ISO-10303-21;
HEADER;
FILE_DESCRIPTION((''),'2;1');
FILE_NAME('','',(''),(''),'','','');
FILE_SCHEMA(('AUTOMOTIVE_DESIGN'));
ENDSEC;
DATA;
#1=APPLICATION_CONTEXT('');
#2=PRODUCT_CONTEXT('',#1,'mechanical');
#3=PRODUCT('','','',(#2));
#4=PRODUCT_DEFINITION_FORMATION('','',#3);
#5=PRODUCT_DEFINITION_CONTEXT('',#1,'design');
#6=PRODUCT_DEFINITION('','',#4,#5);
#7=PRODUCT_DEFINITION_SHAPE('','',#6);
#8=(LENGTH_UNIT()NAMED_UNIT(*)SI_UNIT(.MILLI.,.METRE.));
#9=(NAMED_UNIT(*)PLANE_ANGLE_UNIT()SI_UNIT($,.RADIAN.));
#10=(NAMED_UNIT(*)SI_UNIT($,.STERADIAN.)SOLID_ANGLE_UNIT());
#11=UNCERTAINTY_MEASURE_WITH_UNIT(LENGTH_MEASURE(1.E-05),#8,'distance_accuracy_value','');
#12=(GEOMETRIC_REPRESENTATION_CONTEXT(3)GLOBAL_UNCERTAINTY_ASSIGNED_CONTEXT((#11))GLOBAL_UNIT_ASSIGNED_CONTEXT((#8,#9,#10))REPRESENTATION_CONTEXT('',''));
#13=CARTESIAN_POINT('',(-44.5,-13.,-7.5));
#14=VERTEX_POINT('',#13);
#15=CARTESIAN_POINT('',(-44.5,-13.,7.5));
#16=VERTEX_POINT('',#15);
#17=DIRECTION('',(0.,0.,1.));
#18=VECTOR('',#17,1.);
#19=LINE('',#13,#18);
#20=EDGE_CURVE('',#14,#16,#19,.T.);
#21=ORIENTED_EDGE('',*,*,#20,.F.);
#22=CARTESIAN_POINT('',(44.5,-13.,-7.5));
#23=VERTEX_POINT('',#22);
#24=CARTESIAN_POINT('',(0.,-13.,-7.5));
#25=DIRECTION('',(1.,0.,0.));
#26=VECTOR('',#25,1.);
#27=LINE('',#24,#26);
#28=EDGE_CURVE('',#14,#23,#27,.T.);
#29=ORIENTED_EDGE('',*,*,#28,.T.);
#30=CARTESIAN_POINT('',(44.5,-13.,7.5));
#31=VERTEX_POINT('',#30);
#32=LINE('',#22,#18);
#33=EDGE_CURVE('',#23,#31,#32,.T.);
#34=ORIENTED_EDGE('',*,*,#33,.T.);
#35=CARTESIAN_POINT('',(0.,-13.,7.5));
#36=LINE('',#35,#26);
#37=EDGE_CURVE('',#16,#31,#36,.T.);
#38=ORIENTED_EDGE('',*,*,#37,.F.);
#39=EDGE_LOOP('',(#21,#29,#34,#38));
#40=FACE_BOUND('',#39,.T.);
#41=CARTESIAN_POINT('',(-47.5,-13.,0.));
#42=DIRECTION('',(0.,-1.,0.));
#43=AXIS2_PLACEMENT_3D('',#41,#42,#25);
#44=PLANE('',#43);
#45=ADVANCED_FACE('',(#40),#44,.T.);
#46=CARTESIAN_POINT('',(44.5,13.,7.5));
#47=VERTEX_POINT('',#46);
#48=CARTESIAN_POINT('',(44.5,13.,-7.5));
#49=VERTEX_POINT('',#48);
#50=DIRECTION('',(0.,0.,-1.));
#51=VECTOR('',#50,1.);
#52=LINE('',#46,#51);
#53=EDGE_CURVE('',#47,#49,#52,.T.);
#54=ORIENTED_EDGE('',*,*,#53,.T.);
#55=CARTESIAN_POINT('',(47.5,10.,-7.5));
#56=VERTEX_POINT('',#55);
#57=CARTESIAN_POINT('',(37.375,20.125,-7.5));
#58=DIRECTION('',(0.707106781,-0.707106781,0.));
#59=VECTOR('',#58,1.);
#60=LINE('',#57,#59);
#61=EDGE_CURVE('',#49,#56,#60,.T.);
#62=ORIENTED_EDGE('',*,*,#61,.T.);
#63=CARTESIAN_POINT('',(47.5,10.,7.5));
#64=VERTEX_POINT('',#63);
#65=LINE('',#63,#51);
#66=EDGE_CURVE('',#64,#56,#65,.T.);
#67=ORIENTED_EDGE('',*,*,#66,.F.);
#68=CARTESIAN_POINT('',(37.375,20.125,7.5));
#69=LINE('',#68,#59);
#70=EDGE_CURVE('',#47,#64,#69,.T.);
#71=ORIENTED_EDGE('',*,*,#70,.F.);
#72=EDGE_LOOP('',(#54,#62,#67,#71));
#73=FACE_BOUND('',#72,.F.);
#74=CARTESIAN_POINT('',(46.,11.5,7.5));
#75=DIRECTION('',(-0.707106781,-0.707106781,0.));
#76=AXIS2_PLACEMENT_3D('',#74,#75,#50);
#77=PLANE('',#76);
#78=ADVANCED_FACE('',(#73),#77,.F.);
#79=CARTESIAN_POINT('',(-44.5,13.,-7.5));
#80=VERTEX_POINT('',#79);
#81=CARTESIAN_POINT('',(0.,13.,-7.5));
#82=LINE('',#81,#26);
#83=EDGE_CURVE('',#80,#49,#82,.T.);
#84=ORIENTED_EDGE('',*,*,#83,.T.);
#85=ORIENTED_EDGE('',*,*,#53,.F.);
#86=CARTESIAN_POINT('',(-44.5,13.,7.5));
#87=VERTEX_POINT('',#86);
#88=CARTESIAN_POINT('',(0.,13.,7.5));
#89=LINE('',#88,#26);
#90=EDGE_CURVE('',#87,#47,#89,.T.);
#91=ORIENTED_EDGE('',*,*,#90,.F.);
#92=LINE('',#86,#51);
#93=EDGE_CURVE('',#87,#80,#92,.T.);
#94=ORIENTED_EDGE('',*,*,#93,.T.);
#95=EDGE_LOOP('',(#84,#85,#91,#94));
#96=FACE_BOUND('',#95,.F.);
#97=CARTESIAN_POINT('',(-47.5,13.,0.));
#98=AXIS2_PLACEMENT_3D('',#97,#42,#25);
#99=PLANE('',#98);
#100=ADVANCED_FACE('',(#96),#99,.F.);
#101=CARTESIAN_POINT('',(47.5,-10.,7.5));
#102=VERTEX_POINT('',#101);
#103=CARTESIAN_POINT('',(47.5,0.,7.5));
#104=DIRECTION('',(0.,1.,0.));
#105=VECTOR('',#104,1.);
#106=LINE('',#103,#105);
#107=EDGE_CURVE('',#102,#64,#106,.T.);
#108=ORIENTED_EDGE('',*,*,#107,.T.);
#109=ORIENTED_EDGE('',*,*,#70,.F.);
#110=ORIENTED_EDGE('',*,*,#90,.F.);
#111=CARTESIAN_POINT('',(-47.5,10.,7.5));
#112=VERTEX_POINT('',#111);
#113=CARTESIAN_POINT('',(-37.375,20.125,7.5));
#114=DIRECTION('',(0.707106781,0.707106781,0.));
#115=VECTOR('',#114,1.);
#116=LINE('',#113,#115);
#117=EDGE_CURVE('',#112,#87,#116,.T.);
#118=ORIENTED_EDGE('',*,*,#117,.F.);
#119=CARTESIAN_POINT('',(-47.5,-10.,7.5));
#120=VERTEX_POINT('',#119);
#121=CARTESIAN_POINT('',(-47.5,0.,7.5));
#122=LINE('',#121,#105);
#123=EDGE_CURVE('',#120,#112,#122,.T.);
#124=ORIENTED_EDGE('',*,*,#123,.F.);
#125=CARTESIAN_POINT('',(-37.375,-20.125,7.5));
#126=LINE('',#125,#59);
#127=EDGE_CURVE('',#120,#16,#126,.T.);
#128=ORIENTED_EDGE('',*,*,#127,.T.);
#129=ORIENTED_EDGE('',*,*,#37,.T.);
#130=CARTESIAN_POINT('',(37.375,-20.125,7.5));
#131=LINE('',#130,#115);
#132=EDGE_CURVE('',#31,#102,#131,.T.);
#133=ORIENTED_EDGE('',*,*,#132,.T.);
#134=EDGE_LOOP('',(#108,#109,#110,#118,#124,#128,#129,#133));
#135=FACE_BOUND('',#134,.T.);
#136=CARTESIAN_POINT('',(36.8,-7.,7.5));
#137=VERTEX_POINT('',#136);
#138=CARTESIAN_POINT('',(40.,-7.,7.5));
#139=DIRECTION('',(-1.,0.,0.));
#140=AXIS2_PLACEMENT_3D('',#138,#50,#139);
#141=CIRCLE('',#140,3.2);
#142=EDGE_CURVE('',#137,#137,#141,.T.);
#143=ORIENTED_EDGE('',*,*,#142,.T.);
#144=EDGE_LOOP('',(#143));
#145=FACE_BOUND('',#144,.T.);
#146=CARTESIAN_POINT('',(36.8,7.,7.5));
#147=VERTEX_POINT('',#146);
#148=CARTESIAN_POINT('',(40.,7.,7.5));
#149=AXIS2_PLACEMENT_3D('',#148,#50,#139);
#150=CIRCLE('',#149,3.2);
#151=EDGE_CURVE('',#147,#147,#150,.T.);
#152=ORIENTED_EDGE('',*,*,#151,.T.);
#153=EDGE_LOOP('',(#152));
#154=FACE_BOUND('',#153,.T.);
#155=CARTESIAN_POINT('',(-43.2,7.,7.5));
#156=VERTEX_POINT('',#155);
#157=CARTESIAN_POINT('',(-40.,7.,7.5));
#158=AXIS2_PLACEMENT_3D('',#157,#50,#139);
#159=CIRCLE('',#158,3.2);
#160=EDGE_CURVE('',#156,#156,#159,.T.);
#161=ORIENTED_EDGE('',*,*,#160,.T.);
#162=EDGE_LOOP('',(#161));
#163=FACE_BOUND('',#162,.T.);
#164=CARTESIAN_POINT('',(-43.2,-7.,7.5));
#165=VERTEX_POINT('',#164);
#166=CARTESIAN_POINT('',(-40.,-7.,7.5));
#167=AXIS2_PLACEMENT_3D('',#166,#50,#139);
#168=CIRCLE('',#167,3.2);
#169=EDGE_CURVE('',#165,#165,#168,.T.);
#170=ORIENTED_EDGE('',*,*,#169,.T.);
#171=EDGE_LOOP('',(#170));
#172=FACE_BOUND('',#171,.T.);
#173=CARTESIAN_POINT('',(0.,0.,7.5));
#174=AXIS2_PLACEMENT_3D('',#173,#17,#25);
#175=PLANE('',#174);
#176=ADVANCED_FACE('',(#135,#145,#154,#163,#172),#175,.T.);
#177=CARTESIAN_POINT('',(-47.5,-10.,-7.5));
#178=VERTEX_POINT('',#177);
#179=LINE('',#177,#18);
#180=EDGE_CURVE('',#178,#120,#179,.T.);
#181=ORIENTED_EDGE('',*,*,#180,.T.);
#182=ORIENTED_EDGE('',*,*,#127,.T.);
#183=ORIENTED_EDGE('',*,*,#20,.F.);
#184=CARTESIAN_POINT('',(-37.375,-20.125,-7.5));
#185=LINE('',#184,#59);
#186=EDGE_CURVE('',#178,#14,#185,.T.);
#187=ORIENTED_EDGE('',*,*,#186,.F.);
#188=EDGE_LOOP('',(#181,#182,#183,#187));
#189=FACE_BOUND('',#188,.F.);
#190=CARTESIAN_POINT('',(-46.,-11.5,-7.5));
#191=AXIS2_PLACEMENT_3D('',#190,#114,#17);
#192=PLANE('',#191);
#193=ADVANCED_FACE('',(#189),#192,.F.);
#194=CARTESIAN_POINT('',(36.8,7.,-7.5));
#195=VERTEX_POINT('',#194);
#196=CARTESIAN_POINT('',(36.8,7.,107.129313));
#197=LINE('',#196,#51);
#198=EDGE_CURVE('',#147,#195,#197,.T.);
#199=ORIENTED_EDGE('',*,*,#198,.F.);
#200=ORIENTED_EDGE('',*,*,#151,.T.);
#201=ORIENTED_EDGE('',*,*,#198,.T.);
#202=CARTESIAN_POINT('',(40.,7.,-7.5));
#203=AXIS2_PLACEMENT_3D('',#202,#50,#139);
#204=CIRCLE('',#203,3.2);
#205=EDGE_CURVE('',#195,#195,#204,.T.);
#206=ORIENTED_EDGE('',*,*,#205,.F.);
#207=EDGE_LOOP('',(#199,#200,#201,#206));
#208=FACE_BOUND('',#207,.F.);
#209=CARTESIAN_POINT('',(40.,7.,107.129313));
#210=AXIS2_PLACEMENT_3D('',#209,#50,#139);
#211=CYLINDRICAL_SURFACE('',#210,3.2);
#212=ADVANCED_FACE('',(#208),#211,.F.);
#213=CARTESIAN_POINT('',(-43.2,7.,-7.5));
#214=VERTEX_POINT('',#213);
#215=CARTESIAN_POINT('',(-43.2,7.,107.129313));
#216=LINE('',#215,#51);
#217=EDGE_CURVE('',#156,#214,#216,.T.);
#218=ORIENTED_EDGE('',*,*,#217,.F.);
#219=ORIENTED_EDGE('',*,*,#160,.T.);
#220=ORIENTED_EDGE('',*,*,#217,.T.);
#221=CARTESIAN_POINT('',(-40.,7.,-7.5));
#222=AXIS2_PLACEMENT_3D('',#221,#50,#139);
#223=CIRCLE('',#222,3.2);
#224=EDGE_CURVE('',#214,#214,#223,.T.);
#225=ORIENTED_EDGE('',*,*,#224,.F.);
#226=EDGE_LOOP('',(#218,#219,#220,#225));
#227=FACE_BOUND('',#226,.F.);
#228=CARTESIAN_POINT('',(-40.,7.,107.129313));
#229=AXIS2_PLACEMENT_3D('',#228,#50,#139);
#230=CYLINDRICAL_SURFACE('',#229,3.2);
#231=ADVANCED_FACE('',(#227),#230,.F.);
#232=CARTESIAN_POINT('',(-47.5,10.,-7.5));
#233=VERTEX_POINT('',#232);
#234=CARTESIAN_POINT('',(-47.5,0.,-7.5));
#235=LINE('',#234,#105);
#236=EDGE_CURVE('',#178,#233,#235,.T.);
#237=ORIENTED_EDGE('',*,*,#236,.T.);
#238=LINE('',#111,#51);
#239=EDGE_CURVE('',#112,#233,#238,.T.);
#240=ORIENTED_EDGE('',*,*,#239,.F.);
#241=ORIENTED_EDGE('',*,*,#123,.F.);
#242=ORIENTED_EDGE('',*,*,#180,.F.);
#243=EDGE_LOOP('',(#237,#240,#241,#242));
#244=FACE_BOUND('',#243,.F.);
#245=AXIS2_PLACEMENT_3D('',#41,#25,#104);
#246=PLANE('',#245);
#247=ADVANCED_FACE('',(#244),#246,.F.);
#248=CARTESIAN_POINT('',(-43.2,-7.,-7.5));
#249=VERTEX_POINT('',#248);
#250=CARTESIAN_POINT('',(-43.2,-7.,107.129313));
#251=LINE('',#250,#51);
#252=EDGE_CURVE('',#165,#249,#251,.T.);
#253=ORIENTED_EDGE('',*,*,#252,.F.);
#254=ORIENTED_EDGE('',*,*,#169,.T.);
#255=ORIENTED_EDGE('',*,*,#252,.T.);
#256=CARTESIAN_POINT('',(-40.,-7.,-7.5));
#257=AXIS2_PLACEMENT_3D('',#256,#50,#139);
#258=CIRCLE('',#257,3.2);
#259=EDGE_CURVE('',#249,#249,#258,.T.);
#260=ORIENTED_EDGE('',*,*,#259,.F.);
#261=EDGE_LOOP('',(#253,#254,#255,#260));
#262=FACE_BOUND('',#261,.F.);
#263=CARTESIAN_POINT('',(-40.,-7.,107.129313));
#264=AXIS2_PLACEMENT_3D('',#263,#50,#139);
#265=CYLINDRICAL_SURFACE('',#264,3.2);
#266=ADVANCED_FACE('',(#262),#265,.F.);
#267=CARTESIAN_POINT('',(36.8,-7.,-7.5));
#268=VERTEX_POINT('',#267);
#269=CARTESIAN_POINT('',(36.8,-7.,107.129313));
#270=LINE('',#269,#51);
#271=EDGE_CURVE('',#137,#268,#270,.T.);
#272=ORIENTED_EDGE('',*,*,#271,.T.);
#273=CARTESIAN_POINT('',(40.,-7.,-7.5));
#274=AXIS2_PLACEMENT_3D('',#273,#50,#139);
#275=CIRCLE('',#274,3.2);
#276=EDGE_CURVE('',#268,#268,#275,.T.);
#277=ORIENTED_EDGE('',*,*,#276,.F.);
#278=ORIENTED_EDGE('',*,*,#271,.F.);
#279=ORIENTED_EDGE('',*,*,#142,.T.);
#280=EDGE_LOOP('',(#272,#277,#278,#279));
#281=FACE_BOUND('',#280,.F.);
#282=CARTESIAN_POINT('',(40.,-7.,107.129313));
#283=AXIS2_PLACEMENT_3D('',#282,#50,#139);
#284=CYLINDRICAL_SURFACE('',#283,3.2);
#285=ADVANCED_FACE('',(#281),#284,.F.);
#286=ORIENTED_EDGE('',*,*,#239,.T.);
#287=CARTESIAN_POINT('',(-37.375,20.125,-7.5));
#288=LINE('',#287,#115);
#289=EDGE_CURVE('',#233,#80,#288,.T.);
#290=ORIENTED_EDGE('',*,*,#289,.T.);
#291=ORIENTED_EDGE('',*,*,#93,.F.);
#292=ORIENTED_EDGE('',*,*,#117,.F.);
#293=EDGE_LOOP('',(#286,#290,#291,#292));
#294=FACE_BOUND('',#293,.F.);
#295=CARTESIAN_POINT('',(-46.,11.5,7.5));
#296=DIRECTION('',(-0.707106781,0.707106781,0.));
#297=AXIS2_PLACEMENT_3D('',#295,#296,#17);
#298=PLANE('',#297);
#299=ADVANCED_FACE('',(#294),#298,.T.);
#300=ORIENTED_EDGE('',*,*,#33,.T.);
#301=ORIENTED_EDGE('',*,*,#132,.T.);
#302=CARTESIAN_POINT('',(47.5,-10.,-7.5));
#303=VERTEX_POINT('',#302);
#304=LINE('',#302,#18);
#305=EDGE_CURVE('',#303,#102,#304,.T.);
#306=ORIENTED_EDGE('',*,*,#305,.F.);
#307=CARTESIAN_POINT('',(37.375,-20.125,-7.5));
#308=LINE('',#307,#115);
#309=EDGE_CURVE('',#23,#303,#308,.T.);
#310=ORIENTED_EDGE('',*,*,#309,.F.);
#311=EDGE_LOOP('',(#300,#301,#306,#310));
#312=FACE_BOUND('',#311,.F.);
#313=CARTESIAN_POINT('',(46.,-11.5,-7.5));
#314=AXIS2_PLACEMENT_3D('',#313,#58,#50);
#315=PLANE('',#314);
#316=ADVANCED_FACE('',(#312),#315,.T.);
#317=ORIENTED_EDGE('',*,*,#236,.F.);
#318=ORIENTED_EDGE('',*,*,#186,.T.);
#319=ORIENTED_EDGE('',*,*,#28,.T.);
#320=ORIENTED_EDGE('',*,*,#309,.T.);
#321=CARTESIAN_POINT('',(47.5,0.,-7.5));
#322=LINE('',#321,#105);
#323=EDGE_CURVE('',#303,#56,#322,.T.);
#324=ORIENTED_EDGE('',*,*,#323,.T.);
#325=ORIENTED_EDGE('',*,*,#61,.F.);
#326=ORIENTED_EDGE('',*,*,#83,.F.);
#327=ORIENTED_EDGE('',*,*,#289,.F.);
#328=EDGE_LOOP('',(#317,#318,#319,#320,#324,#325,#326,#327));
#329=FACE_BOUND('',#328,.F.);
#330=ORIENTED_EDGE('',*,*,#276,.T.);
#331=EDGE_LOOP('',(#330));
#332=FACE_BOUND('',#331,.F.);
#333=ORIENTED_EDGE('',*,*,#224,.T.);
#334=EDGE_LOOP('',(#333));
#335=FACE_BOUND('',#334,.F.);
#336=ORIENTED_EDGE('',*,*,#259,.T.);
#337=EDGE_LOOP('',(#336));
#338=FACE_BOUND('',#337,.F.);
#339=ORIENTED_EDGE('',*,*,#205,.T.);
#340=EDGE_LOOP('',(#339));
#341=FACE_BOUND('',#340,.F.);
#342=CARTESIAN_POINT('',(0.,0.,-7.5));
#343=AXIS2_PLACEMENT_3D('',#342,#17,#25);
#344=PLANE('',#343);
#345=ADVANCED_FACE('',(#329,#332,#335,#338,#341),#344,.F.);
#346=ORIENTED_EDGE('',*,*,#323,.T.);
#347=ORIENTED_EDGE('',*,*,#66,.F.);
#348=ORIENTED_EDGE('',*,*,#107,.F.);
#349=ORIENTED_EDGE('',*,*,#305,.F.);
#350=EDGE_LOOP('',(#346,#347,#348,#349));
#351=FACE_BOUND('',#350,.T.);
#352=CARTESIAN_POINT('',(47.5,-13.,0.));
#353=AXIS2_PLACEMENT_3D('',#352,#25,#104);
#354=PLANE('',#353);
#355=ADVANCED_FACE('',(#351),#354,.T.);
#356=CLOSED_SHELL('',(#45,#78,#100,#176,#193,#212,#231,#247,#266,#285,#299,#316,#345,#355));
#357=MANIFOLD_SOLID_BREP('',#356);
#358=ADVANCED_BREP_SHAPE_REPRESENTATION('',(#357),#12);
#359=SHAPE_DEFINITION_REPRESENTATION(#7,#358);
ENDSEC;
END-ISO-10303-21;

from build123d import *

# Parameters (mm, degrees)
F0_W     = 95
F0_H     = 26
F1_DEPTH = 7.5
F3_D     = 6.4
F4_SIZE  = 3


with BuildPart() as f1:
    # F0 (on Top) → F1 (new body, symmetric)
    with BuildSketch(Plane.XY):
        Rectangle(F0_W, F0_H)
    extrude(amount=F1_DEPTH, both=True)

    # F3 (through all)
    with Locations(Plane.XY.offset(7.5)):
        with Locations((-40, 7), (-40, -7), (40, 7), (40, -7)):
            Hole(F3_D / 2)

    # F4
    f4_edges = [f1.edges().sort_by_distance(p)[0] for p in [
        (-47.5, 13, 0),
        (47.5, 13, 0),
        (47.5, -13, 0),
        (-47.5, -13, 0),
    ]]
    chamfer(f4_edges, length=F4_SIZE)


solid = f1.part
